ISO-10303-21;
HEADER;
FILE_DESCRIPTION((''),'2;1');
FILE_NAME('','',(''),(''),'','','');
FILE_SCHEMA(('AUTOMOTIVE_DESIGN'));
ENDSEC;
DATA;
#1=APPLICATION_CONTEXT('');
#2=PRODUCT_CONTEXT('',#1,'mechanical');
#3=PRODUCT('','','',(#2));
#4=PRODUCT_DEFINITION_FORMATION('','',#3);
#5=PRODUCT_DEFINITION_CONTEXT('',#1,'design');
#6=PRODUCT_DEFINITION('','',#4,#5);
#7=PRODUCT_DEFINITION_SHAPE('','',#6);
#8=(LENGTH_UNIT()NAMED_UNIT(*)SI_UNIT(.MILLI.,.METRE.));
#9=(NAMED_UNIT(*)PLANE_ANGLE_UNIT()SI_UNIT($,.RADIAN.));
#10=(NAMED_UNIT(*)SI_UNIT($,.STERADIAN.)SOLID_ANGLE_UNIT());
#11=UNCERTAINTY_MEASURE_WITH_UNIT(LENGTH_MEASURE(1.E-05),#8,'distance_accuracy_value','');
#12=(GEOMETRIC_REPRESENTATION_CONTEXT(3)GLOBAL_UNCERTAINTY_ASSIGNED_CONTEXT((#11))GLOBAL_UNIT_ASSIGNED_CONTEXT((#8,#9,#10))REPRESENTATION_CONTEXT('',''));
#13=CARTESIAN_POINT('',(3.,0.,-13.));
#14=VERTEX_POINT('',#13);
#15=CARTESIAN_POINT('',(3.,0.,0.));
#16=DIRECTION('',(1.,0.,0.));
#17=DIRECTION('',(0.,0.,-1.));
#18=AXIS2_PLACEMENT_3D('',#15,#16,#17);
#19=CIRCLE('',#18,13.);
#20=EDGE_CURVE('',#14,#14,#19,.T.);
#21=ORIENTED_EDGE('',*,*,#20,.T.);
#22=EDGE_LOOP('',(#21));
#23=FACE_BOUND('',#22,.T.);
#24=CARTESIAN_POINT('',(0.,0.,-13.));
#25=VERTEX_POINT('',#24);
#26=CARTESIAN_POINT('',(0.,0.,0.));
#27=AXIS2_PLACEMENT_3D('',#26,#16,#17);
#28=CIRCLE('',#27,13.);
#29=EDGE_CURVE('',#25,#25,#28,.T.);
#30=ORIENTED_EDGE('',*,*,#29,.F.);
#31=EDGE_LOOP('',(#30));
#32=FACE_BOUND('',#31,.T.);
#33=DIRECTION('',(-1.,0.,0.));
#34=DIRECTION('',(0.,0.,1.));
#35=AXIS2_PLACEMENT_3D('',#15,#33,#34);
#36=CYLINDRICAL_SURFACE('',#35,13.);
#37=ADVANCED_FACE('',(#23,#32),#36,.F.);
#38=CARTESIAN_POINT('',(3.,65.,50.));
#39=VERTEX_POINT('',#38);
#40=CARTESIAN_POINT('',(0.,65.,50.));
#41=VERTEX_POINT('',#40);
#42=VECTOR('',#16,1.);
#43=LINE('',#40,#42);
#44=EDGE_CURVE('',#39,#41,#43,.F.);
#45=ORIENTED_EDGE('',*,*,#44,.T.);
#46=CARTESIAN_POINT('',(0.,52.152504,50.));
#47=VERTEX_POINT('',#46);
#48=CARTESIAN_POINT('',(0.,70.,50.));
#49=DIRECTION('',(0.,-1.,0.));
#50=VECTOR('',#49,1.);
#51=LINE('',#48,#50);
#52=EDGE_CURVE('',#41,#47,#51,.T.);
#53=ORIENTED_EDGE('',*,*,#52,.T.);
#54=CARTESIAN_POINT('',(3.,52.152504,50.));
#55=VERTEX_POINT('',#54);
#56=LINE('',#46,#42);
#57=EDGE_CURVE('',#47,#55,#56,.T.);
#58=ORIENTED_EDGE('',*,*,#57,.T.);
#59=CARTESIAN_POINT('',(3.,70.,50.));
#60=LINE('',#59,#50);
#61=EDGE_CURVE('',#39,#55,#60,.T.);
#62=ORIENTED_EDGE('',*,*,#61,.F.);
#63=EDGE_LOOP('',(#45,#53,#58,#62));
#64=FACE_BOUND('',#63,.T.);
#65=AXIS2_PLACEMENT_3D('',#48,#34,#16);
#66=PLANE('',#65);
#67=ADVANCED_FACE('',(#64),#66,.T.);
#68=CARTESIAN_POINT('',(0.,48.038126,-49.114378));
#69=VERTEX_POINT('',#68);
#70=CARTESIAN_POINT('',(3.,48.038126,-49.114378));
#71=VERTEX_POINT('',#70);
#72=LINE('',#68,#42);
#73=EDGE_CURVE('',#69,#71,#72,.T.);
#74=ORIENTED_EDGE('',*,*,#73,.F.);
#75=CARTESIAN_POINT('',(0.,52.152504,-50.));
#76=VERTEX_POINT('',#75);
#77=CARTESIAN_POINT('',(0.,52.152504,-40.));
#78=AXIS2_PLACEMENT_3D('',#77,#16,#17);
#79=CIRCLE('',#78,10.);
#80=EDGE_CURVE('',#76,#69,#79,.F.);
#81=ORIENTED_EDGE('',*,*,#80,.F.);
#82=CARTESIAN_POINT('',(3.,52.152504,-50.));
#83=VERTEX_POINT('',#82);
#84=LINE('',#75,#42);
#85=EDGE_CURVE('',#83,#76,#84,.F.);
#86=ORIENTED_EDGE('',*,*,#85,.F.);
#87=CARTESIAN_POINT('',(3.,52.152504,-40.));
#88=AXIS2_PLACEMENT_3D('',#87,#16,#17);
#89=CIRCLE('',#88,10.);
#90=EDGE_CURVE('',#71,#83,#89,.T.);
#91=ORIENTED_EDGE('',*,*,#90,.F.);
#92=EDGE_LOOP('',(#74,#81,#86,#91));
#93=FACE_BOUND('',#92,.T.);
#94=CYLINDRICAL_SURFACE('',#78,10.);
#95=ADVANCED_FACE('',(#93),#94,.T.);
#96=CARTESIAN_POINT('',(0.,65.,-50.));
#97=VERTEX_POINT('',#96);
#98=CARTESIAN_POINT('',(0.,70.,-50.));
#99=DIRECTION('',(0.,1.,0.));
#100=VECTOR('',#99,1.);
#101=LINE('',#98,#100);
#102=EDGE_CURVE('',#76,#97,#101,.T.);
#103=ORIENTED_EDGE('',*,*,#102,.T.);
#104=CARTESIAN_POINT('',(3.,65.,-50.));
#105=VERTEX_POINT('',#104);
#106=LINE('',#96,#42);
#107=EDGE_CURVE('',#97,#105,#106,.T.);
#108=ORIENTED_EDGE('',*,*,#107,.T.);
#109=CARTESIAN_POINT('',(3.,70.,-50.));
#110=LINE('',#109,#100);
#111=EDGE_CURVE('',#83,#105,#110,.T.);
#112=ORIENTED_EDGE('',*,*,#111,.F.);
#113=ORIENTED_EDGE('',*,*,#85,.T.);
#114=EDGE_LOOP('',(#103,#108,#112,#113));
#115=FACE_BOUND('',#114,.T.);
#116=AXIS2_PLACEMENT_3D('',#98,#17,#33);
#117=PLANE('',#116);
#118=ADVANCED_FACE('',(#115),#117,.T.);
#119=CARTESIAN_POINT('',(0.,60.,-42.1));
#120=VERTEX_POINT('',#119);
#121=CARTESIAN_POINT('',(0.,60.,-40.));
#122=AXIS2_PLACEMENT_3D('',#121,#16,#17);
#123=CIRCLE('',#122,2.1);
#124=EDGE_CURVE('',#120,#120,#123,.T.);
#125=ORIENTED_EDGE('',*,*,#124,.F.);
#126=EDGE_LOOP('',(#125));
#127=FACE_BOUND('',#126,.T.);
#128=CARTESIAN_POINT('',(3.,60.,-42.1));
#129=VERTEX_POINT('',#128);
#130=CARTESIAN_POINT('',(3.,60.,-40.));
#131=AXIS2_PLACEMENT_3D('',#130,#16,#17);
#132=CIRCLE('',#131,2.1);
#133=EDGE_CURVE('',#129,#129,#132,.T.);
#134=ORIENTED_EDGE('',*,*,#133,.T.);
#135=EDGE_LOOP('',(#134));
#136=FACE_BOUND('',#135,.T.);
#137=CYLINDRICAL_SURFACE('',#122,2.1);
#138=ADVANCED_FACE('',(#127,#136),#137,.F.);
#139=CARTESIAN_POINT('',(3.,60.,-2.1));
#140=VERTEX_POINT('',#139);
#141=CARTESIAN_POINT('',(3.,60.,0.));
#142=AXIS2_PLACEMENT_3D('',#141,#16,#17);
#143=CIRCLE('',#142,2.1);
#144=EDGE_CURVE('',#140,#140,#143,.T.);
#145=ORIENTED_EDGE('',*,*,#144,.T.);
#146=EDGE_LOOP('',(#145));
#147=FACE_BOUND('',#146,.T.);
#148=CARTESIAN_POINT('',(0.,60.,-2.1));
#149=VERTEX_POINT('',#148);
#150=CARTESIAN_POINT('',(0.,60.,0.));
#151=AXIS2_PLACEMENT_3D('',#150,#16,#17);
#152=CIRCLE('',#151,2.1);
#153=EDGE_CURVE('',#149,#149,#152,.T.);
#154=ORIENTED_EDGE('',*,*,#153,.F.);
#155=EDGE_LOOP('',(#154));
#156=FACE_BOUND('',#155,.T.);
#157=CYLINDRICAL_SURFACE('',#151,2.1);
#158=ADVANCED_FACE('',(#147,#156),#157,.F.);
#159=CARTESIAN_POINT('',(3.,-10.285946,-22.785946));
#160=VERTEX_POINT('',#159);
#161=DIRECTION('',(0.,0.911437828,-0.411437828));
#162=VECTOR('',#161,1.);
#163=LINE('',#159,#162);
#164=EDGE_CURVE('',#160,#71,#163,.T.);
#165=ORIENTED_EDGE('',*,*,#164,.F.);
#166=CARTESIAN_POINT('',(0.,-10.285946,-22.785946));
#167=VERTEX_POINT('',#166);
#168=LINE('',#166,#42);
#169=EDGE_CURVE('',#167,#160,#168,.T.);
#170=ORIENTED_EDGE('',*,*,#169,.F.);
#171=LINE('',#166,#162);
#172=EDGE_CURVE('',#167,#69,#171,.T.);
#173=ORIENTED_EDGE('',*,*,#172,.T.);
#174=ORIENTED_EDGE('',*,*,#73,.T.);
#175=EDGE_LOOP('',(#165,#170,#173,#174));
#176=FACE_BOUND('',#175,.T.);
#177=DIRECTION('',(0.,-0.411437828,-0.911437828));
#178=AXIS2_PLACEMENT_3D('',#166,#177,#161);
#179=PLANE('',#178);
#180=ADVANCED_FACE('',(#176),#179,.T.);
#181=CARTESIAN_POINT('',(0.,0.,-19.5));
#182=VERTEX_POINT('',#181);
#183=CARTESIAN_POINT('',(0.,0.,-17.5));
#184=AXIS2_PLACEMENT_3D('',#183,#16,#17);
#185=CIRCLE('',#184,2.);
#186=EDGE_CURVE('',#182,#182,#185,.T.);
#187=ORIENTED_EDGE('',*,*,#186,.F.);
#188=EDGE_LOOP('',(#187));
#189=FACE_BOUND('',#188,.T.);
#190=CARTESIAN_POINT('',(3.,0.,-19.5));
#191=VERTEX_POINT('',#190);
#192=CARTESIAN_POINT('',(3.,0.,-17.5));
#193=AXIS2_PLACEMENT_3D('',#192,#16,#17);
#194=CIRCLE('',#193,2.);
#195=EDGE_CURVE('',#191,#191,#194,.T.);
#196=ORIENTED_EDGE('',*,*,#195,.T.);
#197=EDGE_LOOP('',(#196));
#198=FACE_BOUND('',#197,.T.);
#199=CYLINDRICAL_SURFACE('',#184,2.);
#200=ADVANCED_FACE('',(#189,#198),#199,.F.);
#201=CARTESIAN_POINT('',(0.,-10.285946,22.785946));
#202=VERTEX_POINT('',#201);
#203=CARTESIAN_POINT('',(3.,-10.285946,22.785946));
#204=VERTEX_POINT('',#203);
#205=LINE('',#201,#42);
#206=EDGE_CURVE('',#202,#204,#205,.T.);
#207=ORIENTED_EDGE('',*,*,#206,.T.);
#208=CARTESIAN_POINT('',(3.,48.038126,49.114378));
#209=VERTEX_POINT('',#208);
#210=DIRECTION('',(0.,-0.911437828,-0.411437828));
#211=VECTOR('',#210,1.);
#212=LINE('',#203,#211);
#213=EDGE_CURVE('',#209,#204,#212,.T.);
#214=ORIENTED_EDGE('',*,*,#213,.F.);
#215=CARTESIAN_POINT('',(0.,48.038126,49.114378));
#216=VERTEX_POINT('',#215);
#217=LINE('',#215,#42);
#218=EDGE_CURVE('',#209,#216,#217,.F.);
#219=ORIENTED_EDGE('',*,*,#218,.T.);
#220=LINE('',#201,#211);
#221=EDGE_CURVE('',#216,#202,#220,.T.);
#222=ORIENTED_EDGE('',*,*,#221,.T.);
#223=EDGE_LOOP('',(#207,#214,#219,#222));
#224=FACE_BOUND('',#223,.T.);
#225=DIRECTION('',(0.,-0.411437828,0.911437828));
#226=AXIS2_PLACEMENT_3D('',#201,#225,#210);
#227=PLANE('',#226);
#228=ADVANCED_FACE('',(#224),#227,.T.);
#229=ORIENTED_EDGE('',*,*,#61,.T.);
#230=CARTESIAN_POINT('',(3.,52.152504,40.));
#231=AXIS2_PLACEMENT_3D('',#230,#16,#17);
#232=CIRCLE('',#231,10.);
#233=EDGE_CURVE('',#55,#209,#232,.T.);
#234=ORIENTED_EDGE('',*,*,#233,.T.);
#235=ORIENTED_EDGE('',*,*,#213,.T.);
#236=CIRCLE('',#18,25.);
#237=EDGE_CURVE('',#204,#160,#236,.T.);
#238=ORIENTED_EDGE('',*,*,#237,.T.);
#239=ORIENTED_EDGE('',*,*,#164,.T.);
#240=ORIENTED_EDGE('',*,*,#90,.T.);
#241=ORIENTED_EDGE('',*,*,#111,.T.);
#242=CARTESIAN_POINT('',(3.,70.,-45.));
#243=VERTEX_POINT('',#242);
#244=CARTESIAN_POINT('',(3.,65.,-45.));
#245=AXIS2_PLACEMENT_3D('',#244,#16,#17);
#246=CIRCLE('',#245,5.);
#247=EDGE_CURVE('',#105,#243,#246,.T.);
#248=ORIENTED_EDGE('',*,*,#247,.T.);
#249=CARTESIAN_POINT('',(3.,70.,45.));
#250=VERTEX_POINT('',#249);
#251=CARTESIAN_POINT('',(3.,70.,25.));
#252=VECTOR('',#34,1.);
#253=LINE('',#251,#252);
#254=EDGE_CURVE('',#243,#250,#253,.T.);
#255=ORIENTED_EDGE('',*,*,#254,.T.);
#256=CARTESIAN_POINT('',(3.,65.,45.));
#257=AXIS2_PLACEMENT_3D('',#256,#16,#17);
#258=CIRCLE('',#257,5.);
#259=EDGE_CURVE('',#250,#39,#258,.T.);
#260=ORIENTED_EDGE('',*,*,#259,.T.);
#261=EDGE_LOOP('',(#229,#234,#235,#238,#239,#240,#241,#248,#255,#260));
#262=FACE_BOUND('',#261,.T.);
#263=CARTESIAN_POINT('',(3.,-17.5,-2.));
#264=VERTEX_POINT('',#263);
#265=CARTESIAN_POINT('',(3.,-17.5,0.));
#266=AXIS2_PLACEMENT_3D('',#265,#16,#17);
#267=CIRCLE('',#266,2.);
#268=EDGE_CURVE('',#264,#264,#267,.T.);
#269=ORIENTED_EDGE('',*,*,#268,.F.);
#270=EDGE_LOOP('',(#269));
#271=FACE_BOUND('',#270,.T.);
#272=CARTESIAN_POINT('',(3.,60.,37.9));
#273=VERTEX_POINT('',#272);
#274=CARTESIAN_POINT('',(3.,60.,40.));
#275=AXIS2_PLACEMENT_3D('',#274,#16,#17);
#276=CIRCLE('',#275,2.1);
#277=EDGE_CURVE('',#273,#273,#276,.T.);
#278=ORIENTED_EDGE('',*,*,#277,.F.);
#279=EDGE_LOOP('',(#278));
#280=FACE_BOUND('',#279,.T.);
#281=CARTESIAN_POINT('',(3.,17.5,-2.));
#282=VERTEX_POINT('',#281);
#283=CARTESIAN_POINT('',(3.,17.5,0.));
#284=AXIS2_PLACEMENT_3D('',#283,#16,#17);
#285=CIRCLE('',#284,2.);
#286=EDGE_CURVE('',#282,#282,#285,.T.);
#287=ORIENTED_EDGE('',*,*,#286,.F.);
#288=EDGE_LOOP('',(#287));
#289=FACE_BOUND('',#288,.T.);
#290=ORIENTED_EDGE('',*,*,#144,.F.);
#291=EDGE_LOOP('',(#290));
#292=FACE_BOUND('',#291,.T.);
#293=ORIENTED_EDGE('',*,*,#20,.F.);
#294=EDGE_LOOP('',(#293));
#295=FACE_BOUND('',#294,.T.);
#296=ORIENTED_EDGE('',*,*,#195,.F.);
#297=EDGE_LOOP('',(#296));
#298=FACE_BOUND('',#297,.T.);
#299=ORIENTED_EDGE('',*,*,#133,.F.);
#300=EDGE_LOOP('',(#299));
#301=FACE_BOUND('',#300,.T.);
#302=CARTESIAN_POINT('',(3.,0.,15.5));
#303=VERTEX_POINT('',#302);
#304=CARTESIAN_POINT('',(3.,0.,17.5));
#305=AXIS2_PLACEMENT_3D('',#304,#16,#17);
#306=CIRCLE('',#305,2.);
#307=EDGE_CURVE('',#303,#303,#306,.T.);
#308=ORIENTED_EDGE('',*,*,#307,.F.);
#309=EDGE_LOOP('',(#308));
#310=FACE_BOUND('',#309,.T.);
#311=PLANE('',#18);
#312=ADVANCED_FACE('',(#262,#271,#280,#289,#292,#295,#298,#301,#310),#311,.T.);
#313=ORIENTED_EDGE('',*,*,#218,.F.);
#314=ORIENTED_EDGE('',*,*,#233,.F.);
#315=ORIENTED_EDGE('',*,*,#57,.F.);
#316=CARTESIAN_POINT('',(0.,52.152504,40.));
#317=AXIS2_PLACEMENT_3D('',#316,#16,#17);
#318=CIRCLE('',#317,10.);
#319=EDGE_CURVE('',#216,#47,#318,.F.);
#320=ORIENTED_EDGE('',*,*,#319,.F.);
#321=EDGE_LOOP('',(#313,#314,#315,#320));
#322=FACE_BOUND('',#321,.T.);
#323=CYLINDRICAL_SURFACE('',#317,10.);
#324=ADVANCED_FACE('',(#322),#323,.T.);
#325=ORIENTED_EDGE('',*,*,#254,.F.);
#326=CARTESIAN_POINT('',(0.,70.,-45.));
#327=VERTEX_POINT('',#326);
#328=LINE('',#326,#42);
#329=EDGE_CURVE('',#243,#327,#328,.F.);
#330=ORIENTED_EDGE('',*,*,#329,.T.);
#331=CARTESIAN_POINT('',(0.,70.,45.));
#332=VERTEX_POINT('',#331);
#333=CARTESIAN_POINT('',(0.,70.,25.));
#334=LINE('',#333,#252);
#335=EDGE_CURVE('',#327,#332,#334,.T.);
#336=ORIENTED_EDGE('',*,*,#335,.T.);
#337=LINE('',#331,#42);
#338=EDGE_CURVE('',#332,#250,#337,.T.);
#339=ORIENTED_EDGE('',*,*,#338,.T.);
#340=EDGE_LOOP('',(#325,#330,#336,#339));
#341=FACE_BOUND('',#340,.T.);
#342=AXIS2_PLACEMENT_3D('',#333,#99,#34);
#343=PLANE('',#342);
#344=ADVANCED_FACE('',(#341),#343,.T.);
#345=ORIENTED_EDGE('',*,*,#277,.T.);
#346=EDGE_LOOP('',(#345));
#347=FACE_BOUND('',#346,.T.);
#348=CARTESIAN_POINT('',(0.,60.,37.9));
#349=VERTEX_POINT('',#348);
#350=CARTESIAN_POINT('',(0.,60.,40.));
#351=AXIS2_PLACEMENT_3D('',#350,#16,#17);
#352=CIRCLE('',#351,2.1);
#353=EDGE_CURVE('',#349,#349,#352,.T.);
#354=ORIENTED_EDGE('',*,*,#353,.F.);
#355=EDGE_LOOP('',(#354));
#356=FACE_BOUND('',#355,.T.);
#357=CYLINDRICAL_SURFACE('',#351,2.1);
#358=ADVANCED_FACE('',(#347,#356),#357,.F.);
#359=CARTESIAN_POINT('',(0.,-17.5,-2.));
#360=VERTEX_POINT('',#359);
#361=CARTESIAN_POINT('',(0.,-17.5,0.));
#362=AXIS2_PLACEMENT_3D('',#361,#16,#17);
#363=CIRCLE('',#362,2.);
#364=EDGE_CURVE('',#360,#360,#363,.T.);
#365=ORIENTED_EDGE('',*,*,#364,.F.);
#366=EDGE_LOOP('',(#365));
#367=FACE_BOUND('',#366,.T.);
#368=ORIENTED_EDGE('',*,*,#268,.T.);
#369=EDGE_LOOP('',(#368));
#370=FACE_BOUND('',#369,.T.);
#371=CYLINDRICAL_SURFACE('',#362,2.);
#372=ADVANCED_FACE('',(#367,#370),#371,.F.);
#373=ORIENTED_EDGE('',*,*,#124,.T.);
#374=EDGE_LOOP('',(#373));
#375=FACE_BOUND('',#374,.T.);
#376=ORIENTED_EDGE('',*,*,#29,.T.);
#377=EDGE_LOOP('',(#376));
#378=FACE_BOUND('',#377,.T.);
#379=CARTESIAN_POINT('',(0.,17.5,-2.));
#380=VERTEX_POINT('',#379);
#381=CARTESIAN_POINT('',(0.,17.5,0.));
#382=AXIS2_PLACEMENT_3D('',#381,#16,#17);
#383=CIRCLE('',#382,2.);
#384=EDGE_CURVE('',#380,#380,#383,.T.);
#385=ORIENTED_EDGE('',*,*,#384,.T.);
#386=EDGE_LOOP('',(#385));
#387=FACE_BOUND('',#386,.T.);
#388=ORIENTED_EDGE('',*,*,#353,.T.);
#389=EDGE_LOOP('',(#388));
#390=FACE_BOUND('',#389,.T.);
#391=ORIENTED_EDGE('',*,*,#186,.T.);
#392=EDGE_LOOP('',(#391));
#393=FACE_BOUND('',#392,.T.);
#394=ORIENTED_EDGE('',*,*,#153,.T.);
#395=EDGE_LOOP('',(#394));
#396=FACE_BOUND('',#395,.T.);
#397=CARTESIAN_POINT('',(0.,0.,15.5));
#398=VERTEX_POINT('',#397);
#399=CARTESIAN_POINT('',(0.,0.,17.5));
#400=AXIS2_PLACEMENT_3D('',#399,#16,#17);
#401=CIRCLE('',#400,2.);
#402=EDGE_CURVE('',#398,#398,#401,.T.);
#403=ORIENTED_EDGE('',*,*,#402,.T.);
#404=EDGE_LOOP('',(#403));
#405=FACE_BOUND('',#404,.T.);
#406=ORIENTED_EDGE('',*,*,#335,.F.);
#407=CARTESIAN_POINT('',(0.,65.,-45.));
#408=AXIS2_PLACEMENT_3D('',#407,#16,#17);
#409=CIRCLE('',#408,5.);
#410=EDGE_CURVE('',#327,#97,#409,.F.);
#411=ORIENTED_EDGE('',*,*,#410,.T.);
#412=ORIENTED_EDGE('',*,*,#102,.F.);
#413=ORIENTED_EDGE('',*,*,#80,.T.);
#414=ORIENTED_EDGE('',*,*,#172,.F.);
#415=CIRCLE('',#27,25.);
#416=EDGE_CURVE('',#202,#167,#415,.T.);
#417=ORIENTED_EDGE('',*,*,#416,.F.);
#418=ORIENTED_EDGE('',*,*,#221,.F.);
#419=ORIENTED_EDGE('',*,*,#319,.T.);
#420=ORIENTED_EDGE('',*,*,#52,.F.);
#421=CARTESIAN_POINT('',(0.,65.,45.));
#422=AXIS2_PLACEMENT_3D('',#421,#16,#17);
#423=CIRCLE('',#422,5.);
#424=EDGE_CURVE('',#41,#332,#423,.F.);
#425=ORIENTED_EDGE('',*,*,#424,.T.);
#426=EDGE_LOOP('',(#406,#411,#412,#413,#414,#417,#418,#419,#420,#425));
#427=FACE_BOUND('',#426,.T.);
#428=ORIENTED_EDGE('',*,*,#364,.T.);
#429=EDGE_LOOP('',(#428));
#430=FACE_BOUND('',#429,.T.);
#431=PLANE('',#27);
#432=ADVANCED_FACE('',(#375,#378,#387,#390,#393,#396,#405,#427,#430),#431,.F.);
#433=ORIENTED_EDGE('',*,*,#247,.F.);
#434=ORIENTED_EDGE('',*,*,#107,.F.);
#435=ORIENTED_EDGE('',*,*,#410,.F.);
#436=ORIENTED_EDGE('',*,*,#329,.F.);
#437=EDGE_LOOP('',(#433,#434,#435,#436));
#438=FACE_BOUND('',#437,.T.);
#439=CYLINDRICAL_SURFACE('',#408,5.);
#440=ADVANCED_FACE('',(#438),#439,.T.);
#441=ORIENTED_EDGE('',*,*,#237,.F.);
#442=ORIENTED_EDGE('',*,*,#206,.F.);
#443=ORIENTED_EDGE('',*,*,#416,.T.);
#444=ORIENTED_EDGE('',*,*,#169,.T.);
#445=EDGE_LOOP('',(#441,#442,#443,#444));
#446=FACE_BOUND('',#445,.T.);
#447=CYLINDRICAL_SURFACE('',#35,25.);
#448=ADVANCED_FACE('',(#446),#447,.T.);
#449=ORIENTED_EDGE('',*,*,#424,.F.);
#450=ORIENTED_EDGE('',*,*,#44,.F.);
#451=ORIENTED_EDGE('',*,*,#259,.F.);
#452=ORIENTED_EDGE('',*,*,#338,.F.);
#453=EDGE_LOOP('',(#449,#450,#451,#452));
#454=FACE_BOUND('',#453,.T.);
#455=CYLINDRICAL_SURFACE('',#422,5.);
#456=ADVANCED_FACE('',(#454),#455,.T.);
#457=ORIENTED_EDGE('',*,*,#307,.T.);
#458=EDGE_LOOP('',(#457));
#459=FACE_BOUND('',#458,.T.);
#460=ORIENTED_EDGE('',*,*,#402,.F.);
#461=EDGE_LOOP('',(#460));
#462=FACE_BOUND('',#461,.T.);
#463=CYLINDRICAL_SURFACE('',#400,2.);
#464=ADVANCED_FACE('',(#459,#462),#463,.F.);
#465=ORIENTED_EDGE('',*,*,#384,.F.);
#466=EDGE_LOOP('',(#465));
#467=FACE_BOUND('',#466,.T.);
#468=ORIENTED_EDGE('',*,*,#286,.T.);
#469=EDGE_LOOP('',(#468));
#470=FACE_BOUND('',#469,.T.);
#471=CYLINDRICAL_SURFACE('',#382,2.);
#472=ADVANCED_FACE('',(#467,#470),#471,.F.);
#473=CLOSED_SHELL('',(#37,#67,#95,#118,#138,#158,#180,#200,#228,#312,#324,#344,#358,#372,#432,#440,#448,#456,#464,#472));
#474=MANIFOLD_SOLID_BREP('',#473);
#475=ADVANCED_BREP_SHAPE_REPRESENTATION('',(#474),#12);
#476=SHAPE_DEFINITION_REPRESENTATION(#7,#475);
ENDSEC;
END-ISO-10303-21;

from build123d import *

# Parameters (mm, degrees)
SKETCH_1_R          = 25
SKETCH_1_R_2        = 13
EXTRUDE_1_DEPTH     = 3
SKETCH_2_R          = 2
CUT_EXTRUDE_1_DEPTH = 3
EXTRUDE_START       = -3
EXTRUDE_2_DEPTH     = 3
SKETCH_4_W          = 100
SKETCH_4_H          = 20
EXTRUDE_3_DEPTH     = 3
EXTRUDE_4_DEPTH     = 3
SKETCH_6_R          = 2.1
CUT_EXTRUDE_2_DEPTH = 87.075548212
FILLET_1_R          = 5
FILLET_2_R          = 10


with BuildPart() as part:
    # 草图1 → 凸台-拉伸1 (new body)
    with BuildSketch(Plane(origin=(0, 0, 0), x_dir=(0, 0, -1), z_dir=(1, 0, 0))):
        Circle(SKETCH_1_R)
        Circle(SKETCH_1_R_2, mode=Mode.SUBTRACT)
    extrude(amount=EXTRUDE_1_DEPTH)

    # 草图2 → 切除-拉伸1 (cut)
    with BuildSketch(Plane(origin=(3, 0, 0), x_dir=(0, 0, -1), z_dir=(1, 0, 0))):
        with Locations((0, 17.5)):
            Circle(SKETCH_2_R)
        with Locations((17.5, 0)):
            Circle(SKETCH_2_R)
        with Locations((0, -17.5)):
            Circle(SKETCH_2_R)
        with Locations((-17.5, 0)):
            Circle(SKETCH_2_R)
    extrude(amount=-CUT_EXTRUDE_1_DEPTH, mode=Mode.SUBTRACT)

    # 草图3 → 凸台-拉伸2 (add)
    with BuildSketch(Plane(origin=(3, 0, 0), x_dir=(0, 0, -1), z_dir=(1, 0, 0)).offset(EXTRUDE_START)):
        with BuildLine():
            Line((-25, 0), (-25, 70))
            Line((-25, 70), (25, 70))
            Line((25, 70), (25, 0))
            ThreePointArc((25, 0), (0, 25), (-25, 0))
        make_face()
    extrude(amount=EXTRUDE_2_DEPTH)

    # 草图4 → 凸台-拉伸3 (add)
    with BuildSketch(Plane(origin=(3, 0, 0), x_dir=(0, 0, -1), z_dir=(1, 0, 0))):
        with Locations((0, 60)):
            Rectangle(SKETCH_4_W, SKETCH_4_H)
    extrude(amount=-EXTRUDE_3_DEPTH)

    # 草图5 → 凸台-拉伸4 (add)
    with BuildSketch(Plane(origin=(3, 0, 0), x_dir=(0, 0, -1), z_dir=(1, 0, 0)).offset(EXTRUDE_START)):
        with BuildLine():
            Line((-22.785945694, -10.285945694), (-50, 50))
            Line((-50, 50), (-25, 50))
            Line((-25, 50), (-25, 0))
            ThreePointArc((-25, 0), (-24.440219336, -5.260767893), (-22.785945694, -10.285945694))
        make_face()
        with BuildLine():
            Line((22.785945694, -10.285945694), (50, 50))
            Line((50, 50), (25, 50))
            Line((25, 50), (25, 0))
            ThreePointArc((25, 0), (24.440219336, -5.260767893), (22.785945694, -10.285945694))
        make_face()
    extrude(amount=EXTRUDE_4_DEPTH)

    # 草图6 → 切除-拉伸2 (cut, through all)
    with BuildSketch(Plane(origin=(3, 0, 0), x_dir=(0, 0, -1), z_dir=(1, 0, 0))):
        with Locations((-40, 60)):
            Circle(SKETCH_6_R)
        with Locations((0, 60)):
            Circle(SKETCH_6_R)
        with Locations((40, 60)):
            Circle(SKETCH_6_R)
    extrude(amount=-CUT_EXTRUDE_2_DEPTH, mode=Mode.SUBTRACT)

    # 圆角1
    fillet_1_edges = [part.edges().sort_by_distance(p)[0] for p in [
        (1.5, 70, 50),
        (1.5, 70, -50),
    ]]
    fillet(fillet_1_edges, radius=FILLET_1_R)

    # 圆角2
    fillet_2_edges = [part.edges().sort_by_distance(p)[0] for p in [
        (1.5, 50, 50),
        (1.5, 50, -50),
    ]]
    fillet(fillet_2_edges, radius=FILLET_2_R)


solid = part.part
